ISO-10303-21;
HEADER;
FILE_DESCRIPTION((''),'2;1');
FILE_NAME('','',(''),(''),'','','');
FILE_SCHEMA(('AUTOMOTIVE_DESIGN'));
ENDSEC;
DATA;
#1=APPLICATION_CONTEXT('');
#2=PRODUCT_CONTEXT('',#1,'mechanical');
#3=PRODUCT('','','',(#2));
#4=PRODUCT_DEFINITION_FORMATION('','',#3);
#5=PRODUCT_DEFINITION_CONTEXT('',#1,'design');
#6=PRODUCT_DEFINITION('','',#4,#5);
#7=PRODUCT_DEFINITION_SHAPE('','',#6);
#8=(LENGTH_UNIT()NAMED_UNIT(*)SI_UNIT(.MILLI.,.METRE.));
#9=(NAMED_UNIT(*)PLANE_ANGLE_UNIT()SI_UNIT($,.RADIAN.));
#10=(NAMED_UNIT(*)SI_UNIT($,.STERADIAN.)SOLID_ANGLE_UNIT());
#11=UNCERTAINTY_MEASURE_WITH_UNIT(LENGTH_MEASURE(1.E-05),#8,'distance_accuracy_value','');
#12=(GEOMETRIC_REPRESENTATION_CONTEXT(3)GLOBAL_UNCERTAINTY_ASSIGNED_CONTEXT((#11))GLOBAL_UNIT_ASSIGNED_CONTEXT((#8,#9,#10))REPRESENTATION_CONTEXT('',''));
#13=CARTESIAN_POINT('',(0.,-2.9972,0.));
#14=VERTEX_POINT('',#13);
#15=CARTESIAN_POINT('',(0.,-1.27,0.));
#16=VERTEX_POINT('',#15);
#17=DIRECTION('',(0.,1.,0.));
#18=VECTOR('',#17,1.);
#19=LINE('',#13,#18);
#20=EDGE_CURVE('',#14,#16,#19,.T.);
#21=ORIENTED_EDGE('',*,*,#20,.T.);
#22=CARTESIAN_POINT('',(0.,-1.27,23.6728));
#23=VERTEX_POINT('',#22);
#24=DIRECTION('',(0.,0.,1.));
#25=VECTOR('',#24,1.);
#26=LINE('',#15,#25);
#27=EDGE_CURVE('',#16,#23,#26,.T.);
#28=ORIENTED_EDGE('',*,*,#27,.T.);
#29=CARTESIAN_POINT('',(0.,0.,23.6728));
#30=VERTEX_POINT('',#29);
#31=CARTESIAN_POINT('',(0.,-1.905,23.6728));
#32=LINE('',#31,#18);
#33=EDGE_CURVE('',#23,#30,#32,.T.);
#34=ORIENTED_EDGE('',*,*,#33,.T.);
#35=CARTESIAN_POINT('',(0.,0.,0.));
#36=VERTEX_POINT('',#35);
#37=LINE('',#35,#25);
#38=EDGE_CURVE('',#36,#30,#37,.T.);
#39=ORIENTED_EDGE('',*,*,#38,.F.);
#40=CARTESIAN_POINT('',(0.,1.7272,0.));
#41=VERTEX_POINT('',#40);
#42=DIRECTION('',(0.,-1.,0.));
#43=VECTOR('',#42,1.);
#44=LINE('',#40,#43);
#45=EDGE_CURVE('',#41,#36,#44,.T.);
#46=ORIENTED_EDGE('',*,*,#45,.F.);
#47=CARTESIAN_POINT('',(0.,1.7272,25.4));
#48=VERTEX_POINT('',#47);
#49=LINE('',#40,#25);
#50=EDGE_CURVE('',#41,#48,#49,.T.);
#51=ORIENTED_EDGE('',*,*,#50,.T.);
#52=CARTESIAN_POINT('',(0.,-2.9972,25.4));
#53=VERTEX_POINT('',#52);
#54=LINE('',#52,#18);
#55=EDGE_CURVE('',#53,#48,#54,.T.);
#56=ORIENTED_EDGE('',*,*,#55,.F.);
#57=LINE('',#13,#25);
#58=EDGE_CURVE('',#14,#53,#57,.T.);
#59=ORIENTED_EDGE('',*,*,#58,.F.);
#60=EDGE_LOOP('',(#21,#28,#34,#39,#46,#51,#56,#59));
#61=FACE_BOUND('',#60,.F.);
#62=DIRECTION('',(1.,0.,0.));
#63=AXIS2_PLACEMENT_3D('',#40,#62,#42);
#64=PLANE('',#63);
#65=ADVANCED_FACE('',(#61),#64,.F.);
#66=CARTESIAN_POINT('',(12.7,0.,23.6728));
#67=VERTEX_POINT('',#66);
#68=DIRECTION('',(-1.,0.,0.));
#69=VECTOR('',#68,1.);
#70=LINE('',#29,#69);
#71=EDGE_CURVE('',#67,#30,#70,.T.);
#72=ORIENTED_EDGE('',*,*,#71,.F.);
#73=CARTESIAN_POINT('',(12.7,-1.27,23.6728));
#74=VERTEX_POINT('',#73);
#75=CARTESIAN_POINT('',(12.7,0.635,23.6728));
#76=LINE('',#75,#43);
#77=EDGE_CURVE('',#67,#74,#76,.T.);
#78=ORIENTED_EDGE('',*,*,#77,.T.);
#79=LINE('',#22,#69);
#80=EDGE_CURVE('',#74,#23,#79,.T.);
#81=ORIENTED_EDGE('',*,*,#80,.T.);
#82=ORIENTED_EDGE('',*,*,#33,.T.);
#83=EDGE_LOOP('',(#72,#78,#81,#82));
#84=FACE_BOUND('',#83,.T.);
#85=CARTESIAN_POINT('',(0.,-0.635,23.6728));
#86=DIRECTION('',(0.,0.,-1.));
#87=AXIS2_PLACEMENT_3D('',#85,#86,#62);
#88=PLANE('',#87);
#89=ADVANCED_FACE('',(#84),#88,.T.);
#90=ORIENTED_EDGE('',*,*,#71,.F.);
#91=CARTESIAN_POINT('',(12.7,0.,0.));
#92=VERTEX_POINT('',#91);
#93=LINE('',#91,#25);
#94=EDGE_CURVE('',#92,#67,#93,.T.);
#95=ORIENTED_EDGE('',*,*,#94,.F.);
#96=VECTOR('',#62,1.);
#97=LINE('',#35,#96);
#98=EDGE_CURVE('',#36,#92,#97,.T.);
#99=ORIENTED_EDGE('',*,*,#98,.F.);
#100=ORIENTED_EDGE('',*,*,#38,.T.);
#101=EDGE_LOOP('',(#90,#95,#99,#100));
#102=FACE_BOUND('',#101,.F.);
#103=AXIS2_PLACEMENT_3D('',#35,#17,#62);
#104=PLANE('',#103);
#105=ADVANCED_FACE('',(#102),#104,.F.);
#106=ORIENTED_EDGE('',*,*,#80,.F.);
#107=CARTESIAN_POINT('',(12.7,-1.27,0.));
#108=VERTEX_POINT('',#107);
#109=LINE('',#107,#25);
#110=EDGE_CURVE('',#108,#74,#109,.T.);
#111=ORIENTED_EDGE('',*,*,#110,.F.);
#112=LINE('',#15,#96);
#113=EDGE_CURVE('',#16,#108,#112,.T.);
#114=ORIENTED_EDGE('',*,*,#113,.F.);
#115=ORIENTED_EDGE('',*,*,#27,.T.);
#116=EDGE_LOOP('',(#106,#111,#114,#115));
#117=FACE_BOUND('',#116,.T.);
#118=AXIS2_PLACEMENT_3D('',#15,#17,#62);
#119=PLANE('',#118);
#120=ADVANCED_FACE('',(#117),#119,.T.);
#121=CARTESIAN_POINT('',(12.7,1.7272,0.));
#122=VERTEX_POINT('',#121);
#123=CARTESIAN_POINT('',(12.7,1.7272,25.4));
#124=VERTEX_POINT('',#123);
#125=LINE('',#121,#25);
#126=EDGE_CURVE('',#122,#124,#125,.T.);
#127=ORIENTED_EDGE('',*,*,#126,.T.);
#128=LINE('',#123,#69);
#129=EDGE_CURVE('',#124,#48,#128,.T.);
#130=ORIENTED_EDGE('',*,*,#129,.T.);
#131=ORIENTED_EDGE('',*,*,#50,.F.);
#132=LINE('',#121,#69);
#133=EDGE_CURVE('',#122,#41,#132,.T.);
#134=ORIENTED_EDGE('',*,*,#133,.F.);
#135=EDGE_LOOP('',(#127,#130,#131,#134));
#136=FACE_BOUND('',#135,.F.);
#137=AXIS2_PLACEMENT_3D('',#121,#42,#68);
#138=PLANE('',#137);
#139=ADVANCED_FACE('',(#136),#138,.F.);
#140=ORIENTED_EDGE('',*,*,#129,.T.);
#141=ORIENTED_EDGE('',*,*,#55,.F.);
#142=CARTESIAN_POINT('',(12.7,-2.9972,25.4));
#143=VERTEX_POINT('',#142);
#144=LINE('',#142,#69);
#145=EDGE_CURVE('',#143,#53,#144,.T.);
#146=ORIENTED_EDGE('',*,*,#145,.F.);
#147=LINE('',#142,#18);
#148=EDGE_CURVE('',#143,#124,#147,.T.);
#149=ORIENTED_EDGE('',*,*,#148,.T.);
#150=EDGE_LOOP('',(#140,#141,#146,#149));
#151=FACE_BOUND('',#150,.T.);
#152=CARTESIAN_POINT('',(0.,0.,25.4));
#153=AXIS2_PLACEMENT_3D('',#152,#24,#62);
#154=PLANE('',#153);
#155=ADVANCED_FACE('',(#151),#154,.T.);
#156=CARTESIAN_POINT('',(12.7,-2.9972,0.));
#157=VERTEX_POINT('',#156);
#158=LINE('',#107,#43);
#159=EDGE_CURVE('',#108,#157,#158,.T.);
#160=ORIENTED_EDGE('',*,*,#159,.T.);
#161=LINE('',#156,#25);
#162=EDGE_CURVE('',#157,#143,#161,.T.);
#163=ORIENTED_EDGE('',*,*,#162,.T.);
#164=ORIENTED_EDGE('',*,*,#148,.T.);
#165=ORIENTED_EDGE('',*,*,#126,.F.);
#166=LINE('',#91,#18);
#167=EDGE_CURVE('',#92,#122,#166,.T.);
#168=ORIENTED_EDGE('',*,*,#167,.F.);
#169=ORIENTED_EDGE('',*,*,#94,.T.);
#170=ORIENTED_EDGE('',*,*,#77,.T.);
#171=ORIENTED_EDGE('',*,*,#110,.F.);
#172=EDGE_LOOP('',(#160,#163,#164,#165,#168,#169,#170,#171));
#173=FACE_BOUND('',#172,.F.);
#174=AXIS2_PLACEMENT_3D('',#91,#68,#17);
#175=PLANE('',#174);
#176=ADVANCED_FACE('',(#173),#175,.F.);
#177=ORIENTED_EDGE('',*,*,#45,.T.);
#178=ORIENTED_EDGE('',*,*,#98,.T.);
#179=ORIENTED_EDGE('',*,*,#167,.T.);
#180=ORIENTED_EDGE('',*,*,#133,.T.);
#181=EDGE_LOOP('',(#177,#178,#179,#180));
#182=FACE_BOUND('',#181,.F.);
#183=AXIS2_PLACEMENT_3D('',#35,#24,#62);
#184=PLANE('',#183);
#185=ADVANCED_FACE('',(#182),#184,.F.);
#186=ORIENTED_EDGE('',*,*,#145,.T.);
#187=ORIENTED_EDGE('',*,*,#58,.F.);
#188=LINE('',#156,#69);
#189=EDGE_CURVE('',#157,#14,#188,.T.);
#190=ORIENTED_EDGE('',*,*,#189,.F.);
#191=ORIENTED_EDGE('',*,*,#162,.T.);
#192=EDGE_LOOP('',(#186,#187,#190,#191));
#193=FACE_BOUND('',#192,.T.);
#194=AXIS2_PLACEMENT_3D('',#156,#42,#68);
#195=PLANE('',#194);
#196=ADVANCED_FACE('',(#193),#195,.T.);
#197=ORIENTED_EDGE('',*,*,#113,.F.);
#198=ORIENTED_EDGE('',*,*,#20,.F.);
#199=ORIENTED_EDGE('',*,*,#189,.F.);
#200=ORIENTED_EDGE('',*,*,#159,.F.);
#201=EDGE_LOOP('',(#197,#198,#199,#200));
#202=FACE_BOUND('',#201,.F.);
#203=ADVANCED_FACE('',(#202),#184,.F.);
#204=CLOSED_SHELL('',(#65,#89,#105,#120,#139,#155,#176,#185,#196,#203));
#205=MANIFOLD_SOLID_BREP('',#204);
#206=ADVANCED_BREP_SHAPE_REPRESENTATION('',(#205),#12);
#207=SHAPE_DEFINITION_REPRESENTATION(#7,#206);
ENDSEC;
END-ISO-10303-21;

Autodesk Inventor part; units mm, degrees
ref_plane "YZ Plane" through (0, 0, 0) normal (1, 0, 0) x (0, 1, 0)
ref_plane "XY Plane" through (0, 0, 0) normal (0, 0, 1) x (1, 0, 0)
sketch "Sketch1" plane through (0, 0, 0) normal (0, 0, 1) x (1, 0, 0)
  line L0 (0, 0) -> (12.7, 0)
  line L1 (12.7, 0) -> (12.7, 1.7272)
  line L2 (12.7, 1.7272) -> (0, 1.7272)
  line L3 (0, 1.7272) -> (0, 0)
  line L4 (0, -1.27) -> (12.7, -1.27)
  line L5 (12.7, -1.27) -> (12.7, -2.9972)
  line L6 (12.7, -2.9972) -> (0, -2.9972)
  line L7 (0, -2.9972) -> (0, -1.27)
  dimension "d0" = 12.7
  dimension "d1" = 1.7272
  dimension "d2" = 12.7
  dimension "d3" = 1.7272
  dimension "d4" = 1.27
ref_plane "Work Plane1" through (0, -0.635, 0) normal (0, 1, 0) x (-1, 0, 0)
sketch "Sketch2" plane through (0, -0.635, 0) normal (0, 1, 0) x (-1, 0, 0)
  line L0 (0, 23.6728) -> (-12.7, 23.6728)
  line L1 (-12.7, 23.6728) -> (-12.7, 25.4)
  line L2 (-12.7, 25.4) -> (0, 25.4)
  line L3 (0, 25.4) -> (0, 23.6728)
  point P0 (0, 0)
  point P1 (0, 24.5364)
  dimension "d6" = 12.7
  dimension "d7" = 1.7272
  dimension "d10" = 25.4
extrude "Extrusion1" add sketch "Sketch1" along normal blind 25.4
extrude "Extrusion2" add sketch "Sketch2" along normal blind 1.27 and the other way blind 1.27
properties part number "ClipConnector"
